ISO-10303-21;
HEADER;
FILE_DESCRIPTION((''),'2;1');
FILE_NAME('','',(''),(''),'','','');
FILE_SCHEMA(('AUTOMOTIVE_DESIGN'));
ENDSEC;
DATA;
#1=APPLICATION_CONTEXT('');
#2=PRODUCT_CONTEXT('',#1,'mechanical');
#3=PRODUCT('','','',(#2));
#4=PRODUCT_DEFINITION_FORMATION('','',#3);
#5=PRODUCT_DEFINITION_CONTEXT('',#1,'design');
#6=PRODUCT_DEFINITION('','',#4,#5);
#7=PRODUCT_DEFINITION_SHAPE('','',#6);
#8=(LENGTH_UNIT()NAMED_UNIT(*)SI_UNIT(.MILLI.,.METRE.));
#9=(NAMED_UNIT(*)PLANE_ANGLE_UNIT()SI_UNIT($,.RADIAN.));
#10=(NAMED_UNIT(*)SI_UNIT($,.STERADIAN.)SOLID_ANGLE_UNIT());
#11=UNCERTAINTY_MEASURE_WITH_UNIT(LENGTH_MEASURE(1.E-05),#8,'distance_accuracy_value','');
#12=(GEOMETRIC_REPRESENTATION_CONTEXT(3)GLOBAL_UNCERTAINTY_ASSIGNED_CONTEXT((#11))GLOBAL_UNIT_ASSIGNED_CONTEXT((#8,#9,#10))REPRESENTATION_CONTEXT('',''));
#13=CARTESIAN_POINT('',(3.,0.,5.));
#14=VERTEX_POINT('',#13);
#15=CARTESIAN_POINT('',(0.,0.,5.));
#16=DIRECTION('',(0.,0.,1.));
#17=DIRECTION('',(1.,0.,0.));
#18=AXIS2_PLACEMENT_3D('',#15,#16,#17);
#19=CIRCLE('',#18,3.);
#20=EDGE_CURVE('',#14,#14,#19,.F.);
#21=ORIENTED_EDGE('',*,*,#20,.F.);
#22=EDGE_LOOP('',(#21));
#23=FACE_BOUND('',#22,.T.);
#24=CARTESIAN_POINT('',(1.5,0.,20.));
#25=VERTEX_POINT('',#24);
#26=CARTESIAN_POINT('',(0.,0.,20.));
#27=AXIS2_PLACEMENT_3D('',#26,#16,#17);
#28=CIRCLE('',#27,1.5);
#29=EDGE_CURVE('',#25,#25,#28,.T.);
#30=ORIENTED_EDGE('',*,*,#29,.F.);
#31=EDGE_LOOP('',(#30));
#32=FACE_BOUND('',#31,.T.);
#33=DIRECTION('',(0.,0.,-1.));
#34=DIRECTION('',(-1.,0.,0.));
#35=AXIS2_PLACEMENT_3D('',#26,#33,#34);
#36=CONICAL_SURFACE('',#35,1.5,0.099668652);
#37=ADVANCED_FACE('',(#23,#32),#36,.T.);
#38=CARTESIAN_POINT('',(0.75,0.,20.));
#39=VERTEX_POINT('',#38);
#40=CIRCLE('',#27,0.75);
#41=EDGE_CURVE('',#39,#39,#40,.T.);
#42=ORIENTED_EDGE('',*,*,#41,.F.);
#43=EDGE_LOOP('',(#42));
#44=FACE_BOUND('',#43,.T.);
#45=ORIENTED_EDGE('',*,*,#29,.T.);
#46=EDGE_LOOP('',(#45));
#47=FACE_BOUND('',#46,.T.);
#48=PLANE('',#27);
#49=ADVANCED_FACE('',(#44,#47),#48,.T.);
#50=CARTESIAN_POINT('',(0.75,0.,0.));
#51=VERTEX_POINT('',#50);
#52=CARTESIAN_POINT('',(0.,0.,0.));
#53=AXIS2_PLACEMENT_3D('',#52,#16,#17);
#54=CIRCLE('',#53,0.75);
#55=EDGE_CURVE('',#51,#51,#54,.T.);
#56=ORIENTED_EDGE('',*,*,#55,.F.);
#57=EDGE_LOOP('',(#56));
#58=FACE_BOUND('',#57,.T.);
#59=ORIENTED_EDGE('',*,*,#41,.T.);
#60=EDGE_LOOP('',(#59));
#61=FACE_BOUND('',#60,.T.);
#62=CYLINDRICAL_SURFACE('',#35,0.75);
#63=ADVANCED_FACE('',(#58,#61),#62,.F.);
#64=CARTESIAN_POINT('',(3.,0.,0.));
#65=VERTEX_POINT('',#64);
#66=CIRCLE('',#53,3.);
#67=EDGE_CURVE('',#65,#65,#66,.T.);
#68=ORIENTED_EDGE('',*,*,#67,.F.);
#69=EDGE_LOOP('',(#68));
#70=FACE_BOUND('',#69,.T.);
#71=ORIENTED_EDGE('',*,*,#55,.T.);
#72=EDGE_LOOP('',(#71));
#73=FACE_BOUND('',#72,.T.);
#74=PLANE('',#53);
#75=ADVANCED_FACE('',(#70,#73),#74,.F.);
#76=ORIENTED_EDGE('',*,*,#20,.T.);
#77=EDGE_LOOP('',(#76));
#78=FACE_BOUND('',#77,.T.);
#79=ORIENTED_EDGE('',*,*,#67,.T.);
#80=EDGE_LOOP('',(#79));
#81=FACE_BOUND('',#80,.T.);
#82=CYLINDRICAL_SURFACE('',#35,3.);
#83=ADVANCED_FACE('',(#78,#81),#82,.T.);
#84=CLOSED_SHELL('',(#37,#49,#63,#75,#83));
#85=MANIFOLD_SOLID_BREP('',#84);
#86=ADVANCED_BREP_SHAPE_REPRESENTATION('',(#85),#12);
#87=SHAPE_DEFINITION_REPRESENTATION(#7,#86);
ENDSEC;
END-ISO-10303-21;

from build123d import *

# Parameters (mm, degrees)
ESQUISSE1_R        = 3
ESQUISSE1_R_2      = 0.75
BOSS_EXTRU_1_DEPTH = 20
CHANFREIN1_SIZE    = 15
CHANFREIN1_SIZE2   = 1.5


with BuildPart() as part:
    # Esquisse1 → Boss.-Extru.1 (new body)
    with BuildSketch(Plane.XY):
        Circle(ESQUISSE1_R)
        Circle(ESQUISSE1_R_2, mode=Mode.SUBTRACT)
    extrude(amount=BOSS_EXTRU_1_DEPTH)

    # Chanfrein1
    chanfrein1_edges = [part.edges().sort_by_distance(p)[0] for p in [
        (-3, 0, 20),
    ]]
    chanfrein1_side = [part.faces().sort_by_distance(p)[0] for p in [
        (-3, 0, 10),
    ]]
    chamfer(chanfrein1_edges, length=CHANFREIN1_SIZE, length2=CHANFREIN1_SIZE2, reference=chanfrein1_side[0])


solid = part.part
